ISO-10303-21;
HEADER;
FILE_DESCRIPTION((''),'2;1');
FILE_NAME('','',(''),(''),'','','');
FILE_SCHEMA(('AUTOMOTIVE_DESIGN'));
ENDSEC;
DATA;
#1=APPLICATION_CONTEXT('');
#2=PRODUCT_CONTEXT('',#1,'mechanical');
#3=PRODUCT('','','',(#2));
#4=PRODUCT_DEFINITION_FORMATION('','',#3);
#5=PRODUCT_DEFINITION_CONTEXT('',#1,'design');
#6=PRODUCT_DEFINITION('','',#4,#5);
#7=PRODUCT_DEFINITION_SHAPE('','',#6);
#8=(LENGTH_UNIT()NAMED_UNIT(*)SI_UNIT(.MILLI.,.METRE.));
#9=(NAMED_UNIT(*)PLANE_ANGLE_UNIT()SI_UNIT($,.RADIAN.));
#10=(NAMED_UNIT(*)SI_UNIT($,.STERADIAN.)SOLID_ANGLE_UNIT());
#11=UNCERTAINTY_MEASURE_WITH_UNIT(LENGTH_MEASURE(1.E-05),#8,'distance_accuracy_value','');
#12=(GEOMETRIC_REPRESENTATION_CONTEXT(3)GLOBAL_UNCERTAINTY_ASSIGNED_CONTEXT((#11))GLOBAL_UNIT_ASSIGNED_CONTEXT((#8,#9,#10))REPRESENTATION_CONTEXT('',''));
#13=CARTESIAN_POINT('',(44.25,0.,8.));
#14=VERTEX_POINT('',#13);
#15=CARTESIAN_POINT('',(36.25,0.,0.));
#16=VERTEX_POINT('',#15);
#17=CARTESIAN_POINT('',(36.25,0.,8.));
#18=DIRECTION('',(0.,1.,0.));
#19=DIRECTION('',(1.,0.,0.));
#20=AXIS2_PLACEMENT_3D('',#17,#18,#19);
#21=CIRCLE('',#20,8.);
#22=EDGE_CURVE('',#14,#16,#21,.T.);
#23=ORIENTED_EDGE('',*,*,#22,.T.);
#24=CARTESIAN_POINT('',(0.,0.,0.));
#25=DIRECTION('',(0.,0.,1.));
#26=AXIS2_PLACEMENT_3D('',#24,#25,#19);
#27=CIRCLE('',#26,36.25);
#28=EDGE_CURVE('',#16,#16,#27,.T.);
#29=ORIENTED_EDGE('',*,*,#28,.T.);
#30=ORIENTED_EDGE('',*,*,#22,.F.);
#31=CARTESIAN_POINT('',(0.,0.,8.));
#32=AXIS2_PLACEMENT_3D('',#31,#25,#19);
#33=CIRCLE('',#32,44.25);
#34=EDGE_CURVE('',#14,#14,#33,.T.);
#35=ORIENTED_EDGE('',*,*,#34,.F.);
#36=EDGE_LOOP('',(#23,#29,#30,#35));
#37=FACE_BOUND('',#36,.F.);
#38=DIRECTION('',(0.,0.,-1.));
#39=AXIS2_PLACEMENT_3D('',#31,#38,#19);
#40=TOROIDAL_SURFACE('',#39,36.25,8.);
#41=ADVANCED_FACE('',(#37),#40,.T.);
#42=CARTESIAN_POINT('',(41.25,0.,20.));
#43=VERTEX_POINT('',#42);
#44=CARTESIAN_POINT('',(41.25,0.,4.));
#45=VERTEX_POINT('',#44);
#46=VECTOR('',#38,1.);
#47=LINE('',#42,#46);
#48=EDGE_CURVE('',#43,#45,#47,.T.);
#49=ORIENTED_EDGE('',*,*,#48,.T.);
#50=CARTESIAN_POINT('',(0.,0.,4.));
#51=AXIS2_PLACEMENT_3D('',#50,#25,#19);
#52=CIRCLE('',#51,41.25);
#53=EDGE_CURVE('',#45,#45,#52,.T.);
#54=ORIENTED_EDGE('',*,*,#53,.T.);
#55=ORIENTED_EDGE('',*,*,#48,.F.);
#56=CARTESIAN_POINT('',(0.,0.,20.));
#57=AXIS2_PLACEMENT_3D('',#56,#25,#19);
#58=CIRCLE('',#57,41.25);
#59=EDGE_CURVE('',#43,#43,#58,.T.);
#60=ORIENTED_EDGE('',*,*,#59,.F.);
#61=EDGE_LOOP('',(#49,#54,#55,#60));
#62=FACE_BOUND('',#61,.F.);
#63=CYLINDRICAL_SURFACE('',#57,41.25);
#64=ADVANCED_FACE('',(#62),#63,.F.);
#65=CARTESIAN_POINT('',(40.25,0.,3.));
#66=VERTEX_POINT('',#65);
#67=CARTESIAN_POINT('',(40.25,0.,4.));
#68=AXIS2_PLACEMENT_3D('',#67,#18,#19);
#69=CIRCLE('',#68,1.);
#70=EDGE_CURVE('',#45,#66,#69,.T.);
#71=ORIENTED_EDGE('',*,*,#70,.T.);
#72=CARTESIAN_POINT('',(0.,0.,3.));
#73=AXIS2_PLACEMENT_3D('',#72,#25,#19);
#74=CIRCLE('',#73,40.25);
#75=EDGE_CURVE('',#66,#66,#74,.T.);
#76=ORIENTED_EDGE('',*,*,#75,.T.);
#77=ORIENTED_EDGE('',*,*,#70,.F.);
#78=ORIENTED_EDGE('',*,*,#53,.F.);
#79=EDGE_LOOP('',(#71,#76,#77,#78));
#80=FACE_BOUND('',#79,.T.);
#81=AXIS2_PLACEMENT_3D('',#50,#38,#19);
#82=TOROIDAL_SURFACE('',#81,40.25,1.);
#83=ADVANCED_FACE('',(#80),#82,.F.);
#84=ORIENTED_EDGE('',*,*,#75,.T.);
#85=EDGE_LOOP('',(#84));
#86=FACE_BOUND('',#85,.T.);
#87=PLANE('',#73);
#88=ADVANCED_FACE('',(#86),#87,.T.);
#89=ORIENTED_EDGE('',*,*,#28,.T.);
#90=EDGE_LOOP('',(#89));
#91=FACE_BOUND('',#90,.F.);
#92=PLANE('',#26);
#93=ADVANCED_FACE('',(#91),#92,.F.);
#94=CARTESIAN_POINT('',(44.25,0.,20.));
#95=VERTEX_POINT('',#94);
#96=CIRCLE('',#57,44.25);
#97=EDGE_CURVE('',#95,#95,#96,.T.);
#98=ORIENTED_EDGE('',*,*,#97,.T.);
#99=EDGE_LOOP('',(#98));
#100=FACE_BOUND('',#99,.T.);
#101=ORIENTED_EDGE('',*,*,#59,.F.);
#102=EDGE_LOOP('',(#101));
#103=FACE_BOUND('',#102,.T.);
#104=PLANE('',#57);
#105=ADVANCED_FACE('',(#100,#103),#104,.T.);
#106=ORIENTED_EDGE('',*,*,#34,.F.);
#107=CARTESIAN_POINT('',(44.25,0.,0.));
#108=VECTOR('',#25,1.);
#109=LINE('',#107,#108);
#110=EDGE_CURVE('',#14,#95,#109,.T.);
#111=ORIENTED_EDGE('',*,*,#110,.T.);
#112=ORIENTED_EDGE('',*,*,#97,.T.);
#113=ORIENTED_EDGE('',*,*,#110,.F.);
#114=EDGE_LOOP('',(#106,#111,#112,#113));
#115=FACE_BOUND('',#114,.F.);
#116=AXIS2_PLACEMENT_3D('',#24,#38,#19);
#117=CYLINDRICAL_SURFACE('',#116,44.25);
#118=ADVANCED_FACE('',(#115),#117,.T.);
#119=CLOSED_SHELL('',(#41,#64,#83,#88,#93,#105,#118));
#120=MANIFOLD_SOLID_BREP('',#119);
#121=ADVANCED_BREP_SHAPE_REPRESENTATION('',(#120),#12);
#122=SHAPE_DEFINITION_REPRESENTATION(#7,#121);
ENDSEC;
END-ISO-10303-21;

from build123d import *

# Parameters (mm, degrees)
F0_R     = 44.25
F1_DEPTH = 20
F2_R     = 41.25
F3_DEPTH = 17
F4_R     = 1
F5_R     = 8


with BuildPart() as f1:
    # F0 (on Top) → F1 (new body)
    with BuildSketch(Plane.XY):
        Circle(F0_R)
    extrude(amount=F1_DEPTH)

    # F2 (on face) → F3 (cut)
    with BuildSketch(Plane.XY.offset(20)):
        Circle(F2_R)
    extrude(amount=-F3_DEPTH, mode=Mode.SUBTRACT)

    # F4
    f4_edges = [f1.edges().sort_by_distance(p)[0] for p in [
        (-41.25, 0, 3),
    ]]
    fillet(f4_edges, radius=F4_R)

    # F5
    f5_edges = [f1.edges().sort_by_distance(p)[0] for p in [
        (-44.25, 0, 0),
    ]]
    fillet(f5_edges, radius=F5_R)


solid = f1.part
